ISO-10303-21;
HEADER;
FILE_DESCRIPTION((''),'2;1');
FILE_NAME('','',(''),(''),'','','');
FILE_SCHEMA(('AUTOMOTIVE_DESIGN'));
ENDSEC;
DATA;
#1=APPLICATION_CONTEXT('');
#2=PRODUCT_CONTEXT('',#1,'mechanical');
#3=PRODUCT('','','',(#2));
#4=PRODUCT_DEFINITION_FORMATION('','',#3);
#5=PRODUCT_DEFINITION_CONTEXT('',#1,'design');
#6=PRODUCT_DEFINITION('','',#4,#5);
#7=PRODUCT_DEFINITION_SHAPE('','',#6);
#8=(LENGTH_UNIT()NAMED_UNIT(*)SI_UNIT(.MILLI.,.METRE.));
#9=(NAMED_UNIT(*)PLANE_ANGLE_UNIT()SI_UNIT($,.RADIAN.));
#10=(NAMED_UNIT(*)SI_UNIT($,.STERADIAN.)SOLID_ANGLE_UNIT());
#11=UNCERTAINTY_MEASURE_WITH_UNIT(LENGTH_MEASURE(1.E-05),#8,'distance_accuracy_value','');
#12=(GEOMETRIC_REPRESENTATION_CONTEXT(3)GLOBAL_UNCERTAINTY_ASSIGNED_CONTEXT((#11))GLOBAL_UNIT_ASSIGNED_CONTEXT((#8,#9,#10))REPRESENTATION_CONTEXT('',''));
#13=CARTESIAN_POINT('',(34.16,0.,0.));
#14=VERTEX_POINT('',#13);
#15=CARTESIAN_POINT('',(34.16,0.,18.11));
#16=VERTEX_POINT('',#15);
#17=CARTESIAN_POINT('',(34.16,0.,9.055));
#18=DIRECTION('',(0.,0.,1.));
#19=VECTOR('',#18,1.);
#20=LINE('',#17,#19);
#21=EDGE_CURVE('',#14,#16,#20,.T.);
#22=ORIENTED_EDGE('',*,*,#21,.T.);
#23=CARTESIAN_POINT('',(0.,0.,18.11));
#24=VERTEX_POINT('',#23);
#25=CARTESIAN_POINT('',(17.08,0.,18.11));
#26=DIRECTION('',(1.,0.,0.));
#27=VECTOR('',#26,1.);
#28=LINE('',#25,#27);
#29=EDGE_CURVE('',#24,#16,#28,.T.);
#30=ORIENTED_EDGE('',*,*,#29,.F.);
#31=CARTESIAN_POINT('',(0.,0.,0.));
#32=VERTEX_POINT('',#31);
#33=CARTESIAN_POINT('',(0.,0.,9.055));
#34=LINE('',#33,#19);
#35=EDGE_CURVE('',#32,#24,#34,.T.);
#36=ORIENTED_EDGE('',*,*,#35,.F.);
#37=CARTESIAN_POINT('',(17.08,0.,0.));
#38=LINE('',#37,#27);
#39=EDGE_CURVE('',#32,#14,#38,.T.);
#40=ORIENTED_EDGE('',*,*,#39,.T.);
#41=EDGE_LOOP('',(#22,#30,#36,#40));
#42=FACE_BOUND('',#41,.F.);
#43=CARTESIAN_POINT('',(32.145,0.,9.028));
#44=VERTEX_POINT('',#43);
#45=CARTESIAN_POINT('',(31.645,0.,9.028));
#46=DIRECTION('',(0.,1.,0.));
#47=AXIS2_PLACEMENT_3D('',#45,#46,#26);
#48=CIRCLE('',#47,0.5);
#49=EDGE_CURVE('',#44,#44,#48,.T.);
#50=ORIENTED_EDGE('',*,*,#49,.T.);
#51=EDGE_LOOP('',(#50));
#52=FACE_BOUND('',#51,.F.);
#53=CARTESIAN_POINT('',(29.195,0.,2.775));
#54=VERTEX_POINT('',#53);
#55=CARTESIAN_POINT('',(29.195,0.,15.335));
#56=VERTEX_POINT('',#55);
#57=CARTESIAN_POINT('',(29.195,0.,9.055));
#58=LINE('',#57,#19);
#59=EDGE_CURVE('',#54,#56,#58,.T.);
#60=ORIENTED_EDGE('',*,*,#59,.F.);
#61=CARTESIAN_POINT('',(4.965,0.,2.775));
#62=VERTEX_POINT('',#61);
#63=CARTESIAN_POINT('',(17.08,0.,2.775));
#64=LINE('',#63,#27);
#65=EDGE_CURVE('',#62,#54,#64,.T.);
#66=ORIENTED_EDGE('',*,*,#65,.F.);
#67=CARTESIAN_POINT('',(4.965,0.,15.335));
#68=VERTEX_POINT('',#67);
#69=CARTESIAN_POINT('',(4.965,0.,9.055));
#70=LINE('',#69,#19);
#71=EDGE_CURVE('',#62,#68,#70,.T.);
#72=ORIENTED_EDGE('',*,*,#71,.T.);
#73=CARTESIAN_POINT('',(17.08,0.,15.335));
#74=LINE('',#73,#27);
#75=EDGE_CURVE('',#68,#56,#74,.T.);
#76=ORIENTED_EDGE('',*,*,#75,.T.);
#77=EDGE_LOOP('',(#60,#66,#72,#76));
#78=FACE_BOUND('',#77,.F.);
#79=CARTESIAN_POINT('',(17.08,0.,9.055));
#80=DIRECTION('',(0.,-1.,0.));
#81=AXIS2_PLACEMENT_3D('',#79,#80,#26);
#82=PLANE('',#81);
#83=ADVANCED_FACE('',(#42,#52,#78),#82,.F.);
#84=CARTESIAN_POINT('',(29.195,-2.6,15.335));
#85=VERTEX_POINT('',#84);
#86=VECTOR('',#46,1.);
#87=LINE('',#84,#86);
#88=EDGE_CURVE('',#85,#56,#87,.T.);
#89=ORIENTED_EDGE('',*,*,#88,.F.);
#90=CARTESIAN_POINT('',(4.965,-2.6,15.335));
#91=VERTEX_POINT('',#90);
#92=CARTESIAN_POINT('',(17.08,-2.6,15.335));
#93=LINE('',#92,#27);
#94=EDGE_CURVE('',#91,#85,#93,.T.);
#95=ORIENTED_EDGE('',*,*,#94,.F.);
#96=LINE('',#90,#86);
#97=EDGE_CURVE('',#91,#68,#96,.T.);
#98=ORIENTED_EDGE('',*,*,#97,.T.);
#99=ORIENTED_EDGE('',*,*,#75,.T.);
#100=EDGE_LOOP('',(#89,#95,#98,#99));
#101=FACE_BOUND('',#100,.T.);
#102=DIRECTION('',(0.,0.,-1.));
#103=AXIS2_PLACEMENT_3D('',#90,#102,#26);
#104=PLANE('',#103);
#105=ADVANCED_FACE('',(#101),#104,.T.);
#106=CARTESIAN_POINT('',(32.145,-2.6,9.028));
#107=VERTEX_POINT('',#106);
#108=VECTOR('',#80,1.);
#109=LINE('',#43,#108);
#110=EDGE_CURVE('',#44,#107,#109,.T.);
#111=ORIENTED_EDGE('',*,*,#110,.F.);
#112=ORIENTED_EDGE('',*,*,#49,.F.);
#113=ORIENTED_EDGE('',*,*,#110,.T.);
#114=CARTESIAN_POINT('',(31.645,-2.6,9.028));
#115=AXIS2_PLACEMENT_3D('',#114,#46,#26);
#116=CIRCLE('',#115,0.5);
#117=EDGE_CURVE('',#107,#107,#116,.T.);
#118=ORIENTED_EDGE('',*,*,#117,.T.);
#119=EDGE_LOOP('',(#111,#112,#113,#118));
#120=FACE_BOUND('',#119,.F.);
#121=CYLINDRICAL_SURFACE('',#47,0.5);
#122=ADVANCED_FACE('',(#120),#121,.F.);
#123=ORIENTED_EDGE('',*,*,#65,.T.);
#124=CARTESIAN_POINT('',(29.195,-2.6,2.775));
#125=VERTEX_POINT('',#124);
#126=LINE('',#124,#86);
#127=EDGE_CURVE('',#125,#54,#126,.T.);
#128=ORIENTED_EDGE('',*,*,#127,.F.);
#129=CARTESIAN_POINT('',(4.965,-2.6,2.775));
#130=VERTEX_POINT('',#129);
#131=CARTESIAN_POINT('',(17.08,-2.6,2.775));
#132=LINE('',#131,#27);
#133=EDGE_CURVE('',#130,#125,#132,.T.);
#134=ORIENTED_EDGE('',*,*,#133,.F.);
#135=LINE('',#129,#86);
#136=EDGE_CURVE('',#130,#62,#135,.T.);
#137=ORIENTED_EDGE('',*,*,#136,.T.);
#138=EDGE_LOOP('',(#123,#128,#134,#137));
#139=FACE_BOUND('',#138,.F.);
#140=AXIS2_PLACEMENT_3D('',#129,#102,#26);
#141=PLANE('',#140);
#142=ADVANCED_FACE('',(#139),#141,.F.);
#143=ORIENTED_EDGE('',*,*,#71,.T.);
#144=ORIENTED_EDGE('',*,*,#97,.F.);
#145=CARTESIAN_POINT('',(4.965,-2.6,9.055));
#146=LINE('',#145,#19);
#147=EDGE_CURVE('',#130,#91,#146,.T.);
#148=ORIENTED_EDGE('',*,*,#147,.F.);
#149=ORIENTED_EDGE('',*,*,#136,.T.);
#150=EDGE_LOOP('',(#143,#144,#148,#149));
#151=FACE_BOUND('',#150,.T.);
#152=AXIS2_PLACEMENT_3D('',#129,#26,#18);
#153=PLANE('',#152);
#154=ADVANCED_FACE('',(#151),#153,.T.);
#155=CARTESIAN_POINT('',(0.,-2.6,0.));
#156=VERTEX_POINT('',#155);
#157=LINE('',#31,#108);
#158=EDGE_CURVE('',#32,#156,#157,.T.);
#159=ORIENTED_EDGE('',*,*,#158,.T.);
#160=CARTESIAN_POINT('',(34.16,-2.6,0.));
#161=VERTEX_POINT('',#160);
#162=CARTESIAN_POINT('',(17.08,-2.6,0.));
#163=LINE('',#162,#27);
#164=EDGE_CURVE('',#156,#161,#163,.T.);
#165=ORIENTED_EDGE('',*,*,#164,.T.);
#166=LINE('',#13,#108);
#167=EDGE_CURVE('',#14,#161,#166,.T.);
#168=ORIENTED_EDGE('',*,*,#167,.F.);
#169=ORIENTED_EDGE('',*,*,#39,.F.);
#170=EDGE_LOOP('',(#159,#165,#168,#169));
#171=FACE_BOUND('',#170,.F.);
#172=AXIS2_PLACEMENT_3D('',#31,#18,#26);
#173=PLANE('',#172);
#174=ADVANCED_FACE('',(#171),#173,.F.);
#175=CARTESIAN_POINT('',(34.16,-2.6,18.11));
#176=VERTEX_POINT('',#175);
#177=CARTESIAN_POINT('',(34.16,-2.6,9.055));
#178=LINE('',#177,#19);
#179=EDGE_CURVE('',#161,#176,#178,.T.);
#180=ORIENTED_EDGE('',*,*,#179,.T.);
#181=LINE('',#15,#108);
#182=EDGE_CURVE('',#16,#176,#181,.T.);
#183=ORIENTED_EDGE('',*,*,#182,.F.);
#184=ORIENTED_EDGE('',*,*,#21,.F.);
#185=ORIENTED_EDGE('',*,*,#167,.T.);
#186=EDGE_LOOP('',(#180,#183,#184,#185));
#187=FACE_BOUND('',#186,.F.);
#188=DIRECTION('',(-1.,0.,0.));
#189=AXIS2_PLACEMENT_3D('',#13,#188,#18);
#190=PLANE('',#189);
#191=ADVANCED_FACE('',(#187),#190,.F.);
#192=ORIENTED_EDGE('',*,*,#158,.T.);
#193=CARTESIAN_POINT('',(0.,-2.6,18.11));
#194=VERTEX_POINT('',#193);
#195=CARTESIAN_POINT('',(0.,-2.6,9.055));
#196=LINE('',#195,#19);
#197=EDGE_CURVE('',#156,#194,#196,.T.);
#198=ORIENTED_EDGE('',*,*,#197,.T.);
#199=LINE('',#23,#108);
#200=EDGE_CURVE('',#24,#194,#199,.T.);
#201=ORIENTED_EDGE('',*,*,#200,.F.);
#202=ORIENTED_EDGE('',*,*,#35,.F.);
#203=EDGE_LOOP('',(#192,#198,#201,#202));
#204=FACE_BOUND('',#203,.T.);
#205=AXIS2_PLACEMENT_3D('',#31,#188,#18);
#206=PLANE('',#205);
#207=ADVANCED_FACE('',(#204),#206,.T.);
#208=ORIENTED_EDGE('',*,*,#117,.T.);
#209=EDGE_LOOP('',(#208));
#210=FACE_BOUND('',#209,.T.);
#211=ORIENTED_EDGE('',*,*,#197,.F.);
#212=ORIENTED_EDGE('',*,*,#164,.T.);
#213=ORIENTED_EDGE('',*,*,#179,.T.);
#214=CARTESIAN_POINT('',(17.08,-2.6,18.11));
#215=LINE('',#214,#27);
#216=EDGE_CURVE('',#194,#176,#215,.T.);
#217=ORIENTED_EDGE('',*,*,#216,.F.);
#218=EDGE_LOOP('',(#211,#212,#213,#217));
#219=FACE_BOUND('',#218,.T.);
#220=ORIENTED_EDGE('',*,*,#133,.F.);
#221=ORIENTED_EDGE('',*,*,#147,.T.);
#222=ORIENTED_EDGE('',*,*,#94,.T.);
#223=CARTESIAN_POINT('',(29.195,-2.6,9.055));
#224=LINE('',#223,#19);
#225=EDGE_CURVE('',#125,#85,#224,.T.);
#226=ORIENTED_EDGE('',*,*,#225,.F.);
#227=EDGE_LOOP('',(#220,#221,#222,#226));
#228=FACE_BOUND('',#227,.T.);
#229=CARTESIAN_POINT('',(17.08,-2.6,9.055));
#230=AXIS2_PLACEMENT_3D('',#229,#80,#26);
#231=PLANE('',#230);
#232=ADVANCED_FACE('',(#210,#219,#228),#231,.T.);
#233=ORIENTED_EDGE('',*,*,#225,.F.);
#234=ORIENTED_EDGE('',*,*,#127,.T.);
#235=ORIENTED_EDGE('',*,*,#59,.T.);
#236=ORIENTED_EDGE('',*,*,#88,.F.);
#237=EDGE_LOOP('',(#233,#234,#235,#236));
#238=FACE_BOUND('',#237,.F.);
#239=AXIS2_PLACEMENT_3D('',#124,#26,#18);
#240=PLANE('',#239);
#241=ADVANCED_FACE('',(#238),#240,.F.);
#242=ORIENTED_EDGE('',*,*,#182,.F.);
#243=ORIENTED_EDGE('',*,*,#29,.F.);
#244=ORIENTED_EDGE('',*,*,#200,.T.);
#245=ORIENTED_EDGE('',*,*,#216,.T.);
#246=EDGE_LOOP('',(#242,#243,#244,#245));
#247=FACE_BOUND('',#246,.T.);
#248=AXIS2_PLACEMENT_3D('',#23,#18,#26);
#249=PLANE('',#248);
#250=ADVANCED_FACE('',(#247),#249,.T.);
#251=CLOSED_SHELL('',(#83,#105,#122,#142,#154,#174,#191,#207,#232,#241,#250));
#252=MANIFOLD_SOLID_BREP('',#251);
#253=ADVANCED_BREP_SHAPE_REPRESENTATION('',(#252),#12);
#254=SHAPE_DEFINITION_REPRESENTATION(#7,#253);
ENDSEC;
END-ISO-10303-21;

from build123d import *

# Parameters (mm, degrees)
SKETCH_W        = 34.16
SKETCH_H        = 18.11
PAD_DEPTH       = 2.6
SKETCH002_W     = 24.23
SKETCH002_H     = 12.56
POCKET_DEPTH    = 2.6
SKETCH003_R     = 0.5
SKETCH003_W     = 2.01
SKETCH003_H     = 3.5
POCKET001_DEPTH = 5


with BuildPart() as part:
    # Sketch → Pad (new body)
    with BuildSketch(Plane.XZ):
        with Locations((17.08, 9.055)):
            Rectangle(SKETCH_W, SKETCH_H)
    extrude(amount=PAD_DEPTH)

    # Sketch002 (on Face6 of Pad) → Pocket (cut)
    with BuildSketch(Plane.XZ.offset(2.6)):
        with Locations((17.08, 9.055)):
            Rectangle(SKETCH002_W, SKETCH002_H)
    extrude(amount=-POCKET_DEPTH, mode=Mode.SUBTRACT)

    # Sketch003 (on Face4 of Pocket) → Pocket001 (cut)
    with BuildSketch(Plane(origin=(0, 0, 0), x_dir=(1, 0, 0), z_dir=(0, 1, 0))):
        with Locations((31.645, -9.028)):
            Circle(SKETCH003_R)
        with Locations((27.953742, -8.544061)):
            Rectangle(SKETCH003_W, SKETCH003_H)
    extrude(amount=-POCKET001_DEPTH, mode=Mode.SUBTRACT)


solid = part.part
